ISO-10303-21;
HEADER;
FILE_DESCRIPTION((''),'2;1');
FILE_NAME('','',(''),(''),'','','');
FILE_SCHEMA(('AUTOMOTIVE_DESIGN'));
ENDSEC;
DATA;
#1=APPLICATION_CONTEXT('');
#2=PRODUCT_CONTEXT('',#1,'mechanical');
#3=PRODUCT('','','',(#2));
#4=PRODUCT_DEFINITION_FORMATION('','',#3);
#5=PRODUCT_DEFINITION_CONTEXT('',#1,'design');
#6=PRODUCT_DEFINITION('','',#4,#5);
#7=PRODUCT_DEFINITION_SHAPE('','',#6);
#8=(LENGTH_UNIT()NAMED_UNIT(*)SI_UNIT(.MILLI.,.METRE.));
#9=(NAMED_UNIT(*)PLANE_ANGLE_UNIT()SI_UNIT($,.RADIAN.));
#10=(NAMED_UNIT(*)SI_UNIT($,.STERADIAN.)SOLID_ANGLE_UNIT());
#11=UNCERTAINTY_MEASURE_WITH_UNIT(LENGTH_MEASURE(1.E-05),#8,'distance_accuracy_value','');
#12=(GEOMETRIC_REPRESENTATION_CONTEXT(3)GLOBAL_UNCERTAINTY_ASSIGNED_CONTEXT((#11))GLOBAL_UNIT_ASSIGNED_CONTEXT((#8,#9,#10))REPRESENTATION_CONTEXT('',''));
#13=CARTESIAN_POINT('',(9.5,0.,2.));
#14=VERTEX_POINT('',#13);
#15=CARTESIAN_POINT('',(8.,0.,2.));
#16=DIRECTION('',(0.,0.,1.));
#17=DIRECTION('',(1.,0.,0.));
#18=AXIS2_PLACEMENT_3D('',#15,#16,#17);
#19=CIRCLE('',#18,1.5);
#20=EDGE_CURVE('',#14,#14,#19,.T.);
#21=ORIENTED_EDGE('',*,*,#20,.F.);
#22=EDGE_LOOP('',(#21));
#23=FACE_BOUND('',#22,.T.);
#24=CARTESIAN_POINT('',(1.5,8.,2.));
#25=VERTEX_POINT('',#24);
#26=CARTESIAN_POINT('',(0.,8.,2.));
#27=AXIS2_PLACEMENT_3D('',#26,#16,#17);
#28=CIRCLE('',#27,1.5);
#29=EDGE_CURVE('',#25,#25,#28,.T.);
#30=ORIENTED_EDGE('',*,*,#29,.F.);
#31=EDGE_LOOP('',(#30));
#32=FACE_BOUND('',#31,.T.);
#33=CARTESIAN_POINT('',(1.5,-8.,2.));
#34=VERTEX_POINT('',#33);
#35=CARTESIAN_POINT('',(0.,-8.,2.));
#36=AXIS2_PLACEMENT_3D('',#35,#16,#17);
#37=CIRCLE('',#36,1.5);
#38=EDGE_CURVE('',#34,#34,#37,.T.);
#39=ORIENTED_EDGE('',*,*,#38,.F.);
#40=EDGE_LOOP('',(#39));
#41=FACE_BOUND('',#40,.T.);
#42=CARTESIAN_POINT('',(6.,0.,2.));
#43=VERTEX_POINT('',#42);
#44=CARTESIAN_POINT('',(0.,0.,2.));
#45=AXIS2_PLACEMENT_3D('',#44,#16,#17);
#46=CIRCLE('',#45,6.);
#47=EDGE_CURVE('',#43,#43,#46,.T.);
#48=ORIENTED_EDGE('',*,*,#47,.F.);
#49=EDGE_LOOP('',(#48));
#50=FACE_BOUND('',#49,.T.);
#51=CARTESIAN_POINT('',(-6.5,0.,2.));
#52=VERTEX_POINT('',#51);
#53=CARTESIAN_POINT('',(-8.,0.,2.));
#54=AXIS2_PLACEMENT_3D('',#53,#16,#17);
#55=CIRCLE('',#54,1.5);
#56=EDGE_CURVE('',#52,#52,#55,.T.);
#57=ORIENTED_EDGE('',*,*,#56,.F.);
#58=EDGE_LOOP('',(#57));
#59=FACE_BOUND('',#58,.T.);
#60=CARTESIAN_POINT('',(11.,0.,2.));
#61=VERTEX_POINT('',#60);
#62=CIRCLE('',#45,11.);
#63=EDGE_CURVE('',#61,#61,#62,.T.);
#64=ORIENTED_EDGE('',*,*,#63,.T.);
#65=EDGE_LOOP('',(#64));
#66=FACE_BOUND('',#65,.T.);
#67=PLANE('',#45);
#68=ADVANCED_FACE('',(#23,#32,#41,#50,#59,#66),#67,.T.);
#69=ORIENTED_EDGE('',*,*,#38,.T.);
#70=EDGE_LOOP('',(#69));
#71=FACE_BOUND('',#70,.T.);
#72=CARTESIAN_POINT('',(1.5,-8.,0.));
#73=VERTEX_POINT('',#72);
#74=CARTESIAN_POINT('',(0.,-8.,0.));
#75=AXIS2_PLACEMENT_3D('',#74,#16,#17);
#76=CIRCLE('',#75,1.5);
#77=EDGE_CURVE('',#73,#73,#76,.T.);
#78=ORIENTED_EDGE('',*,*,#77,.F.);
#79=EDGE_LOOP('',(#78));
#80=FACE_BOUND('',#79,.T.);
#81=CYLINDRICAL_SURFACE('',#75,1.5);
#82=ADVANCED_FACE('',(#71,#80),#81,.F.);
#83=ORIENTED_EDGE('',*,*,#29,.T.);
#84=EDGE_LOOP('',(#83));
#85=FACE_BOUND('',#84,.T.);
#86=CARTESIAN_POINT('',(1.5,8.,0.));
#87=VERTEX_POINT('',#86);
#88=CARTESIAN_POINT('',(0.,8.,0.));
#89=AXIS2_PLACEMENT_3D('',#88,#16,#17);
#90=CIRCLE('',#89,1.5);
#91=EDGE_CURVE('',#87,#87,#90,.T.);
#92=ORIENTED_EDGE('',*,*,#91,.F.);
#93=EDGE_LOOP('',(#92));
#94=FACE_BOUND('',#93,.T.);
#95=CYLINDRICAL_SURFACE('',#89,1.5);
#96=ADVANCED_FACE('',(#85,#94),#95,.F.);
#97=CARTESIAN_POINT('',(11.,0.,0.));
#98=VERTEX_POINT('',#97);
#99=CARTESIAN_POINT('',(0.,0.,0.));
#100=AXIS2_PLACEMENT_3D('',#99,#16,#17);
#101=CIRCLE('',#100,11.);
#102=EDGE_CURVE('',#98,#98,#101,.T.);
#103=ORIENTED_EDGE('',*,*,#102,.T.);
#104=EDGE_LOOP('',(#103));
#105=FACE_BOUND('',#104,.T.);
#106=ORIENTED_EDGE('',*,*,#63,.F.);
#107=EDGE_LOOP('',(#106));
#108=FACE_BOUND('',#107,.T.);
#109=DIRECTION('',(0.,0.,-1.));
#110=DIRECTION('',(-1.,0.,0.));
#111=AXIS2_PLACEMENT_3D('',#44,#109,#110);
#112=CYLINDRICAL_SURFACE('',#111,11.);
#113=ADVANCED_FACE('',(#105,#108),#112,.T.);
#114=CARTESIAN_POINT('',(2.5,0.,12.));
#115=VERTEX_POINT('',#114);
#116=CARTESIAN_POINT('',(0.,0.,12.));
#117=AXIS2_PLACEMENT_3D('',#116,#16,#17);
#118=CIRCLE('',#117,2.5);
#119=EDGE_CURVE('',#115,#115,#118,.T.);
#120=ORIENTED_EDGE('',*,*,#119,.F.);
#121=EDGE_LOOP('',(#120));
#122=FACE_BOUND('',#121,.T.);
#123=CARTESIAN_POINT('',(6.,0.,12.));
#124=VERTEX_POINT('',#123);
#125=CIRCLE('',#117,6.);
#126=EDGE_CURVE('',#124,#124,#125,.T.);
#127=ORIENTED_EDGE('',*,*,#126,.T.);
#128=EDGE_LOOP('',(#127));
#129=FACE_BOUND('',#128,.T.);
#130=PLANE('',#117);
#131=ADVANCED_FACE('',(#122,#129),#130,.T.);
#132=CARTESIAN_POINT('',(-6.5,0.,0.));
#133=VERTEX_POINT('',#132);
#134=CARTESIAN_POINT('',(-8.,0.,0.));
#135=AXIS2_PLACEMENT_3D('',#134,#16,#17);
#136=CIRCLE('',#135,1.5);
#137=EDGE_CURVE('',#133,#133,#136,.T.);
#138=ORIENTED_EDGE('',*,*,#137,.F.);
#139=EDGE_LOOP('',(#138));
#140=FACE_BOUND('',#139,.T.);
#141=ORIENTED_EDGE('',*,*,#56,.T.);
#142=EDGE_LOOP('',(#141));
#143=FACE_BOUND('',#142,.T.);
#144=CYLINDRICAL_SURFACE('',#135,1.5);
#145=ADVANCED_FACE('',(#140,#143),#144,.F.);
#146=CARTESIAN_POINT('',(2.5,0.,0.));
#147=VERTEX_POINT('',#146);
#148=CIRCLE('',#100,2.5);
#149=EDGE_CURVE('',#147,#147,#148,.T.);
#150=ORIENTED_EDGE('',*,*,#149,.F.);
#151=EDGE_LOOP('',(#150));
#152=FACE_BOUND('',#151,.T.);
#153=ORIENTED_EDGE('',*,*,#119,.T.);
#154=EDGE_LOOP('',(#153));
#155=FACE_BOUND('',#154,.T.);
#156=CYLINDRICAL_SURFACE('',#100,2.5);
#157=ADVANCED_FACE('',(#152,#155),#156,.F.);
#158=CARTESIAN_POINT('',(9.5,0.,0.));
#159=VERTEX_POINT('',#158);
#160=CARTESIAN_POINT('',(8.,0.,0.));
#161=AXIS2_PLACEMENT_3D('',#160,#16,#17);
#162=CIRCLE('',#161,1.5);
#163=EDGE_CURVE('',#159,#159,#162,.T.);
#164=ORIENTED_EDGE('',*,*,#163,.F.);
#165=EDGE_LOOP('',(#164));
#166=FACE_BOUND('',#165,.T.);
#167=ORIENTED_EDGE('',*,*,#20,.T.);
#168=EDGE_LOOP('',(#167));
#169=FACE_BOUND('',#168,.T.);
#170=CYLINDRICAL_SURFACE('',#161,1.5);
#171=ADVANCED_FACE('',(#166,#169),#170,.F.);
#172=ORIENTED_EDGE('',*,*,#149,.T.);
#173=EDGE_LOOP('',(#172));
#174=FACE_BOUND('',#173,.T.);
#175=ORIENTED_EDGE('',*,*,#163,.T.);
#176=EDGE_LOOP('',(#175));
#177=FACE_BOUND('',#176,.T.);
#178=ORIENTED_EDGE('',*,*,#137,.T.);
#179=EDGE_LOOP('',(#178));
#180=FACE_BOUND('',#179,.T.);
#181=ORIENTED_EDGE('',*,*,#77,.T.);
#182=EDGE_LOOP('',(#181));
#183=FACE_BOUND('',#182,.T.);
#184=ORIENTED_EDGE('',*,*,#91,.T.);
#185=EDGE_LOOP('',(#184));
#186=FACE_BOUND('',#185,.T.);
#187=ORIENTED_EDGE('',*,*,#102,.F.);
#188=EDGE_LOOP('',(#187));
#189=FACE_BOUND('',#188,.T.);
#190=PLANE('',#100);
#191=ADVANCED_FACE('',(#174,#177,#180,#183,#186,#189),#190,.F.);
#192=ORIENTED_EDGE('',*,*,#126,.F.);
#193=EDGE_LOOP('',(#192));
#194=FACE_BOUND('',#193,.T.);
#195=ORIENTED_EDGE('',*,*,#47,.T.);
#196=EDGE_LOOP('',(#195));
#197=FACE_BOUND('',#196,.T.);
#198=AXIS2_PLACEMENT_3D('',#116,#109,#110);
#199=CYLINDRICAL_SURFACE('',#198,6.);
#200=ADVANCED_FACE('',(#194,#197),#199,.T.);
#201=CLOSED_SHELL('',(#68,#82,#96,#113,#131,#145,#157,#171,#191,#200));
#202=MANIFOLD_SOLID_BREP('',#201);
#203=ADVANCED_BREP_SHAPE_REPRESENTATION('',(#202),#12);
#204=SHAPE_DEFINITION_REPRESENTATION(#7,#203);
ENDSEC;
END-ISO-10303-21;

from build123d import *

# Parameters (mm, degrees)
SKETCH1_R           = 11
BOSS_EXTRUDE1_DEPTH = 2
SKETCH2_R           = 6
BOSS_EXTRUDE2_DEPTH = 10
SKETCH3_R           = 2.5
CUT_EXTRUDE1_DEPTH  = 20.646882704
SKETCH5_R           = 1.5
CUT_EXTRUDE2_DEPTH  = 19.493242009


with BuildPart() as part:
    # Sketch1 → Boss-Extrude1 (new body)
    with BuildSketch(Plane.XY):
        Circle(SKETCH1_R)
    extrude(amount=BOSS_EXTRUDE1_DEPTH)

    # Sketch2 → Boss-Extrude2 (add)
    with BuildSketch(Plane.XY.offset(2)):
        Circle(SKETCH2_R)
    extrude(amount=BOSS_EXTRUDE2_DEPTH)

    # Sketch3 → Cut-Extrude1 (cut, through all)
    with BuildSketch(Plane.XY.offset(12)):
        Circle(SKETCH3_R)
    extrude(amount=-CUT_EXTRUDE1_DEPTH, mode=Mode.SUBTRACT)

    # Sketch5 → Cut-Extrude2 (cut, through all)
    with BuildSketch(Plane.XY.offset(2)):
        with Locations((0, 8)):
            Circle(SKETCH5_R)
        with Locations((8, 0)):
            Circle(SKETCH5_R)
        with Locations((0, -8)):
            Circle(SKETCH5_R)
        with Locations((-8, 0)):
            Circle(SKETCH5_R)
    extrude(amount=-CUT_EXTRUDE2_DEPTH, mode=Mode.SUBTRACT)


solid = part.part
